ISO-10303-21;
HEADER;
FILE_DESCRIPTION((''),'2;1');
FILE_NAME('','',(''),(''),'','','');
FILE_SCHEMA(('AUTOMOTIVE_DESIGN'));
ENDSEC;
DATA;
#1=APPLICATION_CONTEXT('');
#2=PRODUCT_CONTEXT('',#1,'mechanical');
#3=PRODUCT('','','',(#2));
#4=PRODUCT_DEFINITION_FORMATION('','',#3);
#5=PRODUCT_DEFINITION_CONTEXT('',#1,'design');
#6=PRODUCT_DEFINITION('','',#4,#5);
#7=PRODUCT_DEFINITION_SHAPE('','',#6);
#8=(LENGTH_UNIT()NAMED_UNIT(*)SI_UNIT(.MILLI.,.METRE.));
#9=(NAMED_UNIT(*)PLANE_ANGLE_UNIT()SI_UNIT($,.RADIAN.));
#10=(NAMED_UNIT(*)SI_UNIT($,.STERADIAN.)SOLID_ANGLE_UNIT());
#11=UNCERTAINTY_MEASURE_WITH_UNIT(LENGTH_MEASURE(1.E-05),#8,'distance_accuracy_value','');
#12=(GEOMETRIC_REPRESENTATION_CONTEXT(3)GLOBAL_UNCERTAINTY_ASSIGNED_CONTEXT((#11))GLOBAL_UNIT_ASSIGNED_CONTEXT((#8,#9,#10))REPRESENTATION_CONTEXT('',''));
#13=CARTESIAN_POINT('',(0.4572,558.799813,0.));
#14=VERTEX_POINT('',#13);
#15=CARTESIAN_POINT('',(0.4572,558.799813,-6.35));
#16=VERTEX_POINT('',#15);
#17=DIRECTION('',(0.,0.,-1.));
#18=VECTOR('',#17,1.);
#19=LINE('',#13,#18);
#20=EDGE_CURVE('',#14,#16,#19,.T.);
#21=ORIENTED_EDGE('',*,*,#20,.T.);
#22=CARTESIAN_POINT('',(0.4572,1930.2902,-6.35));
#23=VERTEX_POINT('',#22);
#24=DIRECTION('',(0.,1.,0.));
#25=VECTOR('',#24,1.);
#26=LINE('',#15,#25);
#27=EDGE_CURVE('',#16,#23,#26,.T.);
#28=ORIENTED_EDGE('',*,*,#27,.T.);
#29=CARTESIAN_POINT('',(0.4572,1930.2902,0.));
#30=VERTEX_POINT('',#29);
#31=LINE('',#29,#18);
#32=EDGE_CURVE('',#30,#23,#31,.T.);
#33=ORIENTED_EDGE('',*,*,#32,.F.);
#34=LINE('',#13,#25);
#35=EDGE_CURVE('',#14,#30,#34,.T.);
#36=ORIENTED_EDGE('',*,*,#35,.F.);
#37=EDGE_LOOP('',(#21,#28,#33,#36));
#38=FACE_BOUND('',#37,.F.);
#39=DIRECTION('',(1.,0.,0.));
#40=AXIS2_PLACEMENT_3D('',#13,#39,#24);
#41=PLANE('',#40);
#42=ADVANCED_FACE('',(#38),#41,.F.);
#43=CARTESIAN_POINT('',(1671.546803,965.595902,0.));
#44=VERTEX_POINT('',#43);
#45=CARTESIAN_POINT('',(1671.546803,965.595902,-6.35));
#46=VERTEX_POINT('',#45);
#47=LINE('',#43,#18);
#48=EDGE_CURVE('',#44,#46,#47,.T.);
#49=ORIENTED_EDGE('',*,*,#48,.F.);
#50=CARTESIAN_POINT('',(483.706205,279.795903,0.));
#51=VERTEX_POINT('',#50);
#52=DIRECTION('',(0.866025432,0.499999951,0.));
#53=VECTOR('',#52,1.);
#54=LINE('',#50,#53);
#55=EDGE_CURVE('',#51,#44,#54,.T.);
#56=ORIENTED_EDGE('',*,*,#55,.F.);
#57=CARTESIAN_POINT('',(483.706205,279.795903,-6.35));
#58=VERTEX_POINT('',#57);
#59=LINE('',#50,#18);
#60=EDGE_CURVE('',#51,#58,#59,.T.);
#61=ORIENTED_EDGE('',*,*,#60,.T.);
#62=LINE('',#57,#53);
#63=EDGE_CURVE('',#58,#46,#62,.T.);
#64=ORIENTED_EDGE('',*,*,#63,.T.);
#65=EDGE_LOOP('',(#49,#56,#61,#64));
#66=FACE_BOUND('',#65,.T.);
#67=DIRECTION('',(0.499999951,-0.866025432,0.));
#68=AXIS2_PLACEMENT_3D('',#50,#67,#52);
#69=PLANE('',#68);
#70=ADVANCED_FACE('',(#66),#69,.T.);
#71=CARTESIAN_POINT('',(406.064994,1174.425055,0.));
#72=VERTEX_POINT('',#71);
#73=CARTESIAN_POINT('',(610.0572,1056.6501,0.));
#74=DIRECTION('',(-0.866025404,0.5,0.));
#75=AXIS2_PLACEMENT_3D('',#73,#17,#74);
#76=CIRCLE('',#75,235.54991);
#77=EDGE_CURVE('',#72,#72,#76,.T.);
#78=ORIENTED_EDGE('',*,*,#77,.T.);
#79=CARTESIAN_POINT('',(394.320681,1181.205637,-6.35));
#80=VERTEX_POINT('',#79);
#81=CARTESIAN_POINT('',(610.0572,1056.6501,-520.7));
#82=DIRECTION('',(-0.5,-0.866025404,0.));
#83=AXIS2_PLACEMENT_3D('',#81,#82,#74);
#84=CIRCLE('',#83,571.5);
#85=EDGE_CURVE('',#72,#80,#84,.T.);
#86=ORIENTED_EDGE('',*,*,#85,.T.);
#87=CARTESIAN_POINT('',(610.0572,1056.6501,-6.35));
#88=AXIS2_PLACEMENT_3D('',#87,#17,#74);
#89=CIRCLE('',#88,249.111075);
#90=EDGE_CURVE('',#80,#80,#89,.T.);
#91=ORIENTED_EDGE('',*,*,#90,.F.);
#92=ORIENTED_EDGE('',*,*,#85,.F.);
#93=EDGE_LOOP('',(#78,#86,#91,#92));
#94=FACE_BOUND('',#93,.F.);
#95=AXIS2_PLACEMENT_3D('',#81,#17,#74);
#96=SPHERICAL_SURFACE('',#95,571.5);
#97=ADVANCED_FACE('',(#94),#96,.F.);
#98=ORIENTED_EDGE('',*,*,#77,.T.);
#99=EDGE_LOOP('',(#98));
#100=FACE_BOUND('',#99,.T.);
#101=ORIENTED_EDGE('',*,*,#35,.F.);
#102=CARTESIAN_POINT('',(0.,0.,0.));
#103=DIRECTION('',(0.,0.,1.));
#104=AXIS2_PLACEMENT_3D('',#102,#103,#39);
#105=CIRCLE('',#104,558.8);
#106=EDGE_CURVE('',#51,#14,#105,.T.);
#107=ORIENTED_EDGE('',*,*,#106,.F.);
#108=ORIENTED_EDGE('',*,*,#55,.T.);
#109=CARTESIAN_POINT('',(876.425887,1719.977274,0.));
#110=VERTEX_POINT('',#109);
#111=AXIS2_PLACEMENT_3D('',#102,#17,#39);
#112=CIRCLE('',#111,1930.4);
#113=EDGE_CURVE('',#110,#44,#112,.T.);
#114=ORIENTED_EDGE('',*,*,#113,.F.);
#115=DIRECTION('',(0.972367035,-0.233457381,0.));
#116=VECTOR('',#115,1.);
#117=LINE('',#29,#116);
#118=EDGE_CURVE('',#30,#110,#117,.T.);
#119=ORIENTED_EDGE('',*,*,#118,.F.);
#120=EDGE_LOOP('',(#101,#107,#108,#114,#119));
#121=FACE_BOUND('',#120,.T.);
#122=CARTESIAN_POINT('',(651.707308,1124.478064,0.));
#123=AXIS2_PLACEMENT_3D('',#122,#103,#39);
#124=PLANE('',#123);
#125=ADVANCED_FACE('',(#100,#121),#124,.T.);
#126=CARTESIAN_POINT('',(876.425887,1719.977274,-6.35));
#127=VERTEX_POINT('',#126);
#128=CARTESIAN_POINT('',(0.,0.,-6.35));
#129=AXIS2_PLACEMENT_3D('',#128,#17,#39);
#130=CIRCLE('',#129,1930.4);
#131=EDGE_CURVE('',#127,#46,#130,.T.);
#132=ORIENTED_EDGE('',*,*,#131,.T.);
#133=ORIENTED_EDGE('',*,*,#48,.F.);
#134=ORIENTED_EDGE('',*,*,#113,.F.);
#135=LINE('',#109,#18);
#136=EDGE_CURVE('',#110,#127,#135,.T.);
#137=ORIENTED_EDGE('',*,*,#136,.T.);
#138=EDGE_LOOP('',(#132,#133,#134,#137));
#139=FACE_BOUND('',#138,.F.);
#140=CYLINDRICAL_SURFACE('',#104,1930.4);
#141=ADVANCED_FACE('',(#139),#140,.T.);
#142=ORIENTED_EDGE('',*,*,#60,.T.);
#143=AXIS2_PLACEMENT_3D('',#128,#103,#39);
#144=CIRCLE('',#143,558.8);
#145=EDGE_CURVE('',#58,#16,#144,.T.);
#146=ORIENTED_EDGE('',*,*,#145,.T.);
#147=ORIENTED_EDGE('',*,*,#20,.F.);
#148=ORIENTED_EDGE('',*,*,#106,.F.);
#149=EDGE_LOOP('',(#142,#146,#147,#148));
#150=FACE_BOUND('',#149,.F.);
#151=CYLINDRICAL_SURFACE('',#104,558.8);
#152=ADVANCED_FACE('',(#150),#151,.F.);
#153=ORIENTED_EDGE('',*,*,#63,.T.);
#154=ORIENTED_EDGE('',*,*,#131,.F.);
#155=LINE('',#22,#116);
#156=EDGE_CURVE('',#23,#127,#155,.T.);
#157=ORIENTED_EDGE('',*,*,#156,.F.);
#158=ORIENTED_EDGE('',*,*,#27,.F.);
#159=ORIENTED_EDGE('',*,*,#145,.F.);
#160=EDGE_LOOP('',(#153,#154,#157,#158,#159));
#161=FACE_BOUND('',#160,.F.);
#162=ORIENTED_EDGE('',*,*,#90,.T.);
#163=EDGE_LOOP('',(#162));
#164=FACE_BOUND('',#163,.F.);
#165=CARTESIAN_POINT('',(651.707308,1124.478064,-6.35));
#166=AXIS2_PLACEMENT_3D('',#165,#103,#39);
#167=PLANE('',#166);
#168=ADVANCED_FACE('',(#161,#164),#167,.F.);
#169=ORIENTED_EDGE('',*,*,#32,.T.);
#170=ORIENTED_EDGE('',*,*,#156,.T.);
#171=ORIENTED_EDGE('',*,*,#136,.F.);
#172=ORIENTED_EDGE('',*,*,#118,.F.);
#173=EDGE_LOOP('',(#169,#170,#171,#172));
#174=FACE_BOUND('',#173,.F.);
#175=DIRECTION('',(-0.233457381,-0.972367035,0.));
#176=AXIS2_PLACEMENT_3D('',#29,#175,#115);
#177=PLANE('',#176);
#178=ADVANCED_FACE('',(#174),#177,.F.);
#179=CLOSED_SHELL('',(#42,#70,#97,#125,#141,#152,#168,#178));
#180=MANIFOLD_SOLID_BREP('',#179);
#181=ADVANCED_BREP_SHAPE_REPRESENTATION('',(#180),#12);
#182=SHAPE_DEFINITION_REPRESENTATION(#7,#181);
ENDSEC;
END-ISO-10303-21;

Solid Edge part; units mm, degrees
sketch "Sketch1" plane through (0, 0, 0) normal (0, 0, 1) x (1, 0, 0)
  line L0 (483.7062, 279.7959) -> (1671.5468, 965.5959)
  arc A0 (483.7062, 279.7959) -> (0.4572, 558.7998) centre (0, 0) ccw
  line L1 (0.4572, 558.7998) -> (0.4572, 1930.2902)
  line L2 (0.4572, 1930.2902) -> (876.4259, 1719.9773)
  arc A1 (876.4259, 1719.9773) -> (1671.5468, 965.5959) centre (0, 0) cw
  dimension "D1" = 1117.6
  dimension "D2" = 1930.4
  dimension "D3" = 0.4572
  dimension "D4" = 0.4572
  dimension "D5" = 25.8572
  dimension "D6" = 1168.4
extrude "Protrusion1" add sketch "Sketch1" against normal blind 6.35
sketch "Sketch2" plane through (610.0572, 1056.6501, 0) normal (0.5, 0.866, 0) x (-0.866, 0.5, 0)
  arc A0 (0, 50.8) -> (571.5, -520.7) centre (0, -520.7) cw
  line L0 (571.5, -520.7) -> (0, -520.7)
  line L1 (0, -520.7) -> (0, 50.8)
revolve "RevolvedCutout1" cut sketch "Sketch2" angle 360 about axis through (610.0572, 1056.6501, 0) along (0, 0, -1)
